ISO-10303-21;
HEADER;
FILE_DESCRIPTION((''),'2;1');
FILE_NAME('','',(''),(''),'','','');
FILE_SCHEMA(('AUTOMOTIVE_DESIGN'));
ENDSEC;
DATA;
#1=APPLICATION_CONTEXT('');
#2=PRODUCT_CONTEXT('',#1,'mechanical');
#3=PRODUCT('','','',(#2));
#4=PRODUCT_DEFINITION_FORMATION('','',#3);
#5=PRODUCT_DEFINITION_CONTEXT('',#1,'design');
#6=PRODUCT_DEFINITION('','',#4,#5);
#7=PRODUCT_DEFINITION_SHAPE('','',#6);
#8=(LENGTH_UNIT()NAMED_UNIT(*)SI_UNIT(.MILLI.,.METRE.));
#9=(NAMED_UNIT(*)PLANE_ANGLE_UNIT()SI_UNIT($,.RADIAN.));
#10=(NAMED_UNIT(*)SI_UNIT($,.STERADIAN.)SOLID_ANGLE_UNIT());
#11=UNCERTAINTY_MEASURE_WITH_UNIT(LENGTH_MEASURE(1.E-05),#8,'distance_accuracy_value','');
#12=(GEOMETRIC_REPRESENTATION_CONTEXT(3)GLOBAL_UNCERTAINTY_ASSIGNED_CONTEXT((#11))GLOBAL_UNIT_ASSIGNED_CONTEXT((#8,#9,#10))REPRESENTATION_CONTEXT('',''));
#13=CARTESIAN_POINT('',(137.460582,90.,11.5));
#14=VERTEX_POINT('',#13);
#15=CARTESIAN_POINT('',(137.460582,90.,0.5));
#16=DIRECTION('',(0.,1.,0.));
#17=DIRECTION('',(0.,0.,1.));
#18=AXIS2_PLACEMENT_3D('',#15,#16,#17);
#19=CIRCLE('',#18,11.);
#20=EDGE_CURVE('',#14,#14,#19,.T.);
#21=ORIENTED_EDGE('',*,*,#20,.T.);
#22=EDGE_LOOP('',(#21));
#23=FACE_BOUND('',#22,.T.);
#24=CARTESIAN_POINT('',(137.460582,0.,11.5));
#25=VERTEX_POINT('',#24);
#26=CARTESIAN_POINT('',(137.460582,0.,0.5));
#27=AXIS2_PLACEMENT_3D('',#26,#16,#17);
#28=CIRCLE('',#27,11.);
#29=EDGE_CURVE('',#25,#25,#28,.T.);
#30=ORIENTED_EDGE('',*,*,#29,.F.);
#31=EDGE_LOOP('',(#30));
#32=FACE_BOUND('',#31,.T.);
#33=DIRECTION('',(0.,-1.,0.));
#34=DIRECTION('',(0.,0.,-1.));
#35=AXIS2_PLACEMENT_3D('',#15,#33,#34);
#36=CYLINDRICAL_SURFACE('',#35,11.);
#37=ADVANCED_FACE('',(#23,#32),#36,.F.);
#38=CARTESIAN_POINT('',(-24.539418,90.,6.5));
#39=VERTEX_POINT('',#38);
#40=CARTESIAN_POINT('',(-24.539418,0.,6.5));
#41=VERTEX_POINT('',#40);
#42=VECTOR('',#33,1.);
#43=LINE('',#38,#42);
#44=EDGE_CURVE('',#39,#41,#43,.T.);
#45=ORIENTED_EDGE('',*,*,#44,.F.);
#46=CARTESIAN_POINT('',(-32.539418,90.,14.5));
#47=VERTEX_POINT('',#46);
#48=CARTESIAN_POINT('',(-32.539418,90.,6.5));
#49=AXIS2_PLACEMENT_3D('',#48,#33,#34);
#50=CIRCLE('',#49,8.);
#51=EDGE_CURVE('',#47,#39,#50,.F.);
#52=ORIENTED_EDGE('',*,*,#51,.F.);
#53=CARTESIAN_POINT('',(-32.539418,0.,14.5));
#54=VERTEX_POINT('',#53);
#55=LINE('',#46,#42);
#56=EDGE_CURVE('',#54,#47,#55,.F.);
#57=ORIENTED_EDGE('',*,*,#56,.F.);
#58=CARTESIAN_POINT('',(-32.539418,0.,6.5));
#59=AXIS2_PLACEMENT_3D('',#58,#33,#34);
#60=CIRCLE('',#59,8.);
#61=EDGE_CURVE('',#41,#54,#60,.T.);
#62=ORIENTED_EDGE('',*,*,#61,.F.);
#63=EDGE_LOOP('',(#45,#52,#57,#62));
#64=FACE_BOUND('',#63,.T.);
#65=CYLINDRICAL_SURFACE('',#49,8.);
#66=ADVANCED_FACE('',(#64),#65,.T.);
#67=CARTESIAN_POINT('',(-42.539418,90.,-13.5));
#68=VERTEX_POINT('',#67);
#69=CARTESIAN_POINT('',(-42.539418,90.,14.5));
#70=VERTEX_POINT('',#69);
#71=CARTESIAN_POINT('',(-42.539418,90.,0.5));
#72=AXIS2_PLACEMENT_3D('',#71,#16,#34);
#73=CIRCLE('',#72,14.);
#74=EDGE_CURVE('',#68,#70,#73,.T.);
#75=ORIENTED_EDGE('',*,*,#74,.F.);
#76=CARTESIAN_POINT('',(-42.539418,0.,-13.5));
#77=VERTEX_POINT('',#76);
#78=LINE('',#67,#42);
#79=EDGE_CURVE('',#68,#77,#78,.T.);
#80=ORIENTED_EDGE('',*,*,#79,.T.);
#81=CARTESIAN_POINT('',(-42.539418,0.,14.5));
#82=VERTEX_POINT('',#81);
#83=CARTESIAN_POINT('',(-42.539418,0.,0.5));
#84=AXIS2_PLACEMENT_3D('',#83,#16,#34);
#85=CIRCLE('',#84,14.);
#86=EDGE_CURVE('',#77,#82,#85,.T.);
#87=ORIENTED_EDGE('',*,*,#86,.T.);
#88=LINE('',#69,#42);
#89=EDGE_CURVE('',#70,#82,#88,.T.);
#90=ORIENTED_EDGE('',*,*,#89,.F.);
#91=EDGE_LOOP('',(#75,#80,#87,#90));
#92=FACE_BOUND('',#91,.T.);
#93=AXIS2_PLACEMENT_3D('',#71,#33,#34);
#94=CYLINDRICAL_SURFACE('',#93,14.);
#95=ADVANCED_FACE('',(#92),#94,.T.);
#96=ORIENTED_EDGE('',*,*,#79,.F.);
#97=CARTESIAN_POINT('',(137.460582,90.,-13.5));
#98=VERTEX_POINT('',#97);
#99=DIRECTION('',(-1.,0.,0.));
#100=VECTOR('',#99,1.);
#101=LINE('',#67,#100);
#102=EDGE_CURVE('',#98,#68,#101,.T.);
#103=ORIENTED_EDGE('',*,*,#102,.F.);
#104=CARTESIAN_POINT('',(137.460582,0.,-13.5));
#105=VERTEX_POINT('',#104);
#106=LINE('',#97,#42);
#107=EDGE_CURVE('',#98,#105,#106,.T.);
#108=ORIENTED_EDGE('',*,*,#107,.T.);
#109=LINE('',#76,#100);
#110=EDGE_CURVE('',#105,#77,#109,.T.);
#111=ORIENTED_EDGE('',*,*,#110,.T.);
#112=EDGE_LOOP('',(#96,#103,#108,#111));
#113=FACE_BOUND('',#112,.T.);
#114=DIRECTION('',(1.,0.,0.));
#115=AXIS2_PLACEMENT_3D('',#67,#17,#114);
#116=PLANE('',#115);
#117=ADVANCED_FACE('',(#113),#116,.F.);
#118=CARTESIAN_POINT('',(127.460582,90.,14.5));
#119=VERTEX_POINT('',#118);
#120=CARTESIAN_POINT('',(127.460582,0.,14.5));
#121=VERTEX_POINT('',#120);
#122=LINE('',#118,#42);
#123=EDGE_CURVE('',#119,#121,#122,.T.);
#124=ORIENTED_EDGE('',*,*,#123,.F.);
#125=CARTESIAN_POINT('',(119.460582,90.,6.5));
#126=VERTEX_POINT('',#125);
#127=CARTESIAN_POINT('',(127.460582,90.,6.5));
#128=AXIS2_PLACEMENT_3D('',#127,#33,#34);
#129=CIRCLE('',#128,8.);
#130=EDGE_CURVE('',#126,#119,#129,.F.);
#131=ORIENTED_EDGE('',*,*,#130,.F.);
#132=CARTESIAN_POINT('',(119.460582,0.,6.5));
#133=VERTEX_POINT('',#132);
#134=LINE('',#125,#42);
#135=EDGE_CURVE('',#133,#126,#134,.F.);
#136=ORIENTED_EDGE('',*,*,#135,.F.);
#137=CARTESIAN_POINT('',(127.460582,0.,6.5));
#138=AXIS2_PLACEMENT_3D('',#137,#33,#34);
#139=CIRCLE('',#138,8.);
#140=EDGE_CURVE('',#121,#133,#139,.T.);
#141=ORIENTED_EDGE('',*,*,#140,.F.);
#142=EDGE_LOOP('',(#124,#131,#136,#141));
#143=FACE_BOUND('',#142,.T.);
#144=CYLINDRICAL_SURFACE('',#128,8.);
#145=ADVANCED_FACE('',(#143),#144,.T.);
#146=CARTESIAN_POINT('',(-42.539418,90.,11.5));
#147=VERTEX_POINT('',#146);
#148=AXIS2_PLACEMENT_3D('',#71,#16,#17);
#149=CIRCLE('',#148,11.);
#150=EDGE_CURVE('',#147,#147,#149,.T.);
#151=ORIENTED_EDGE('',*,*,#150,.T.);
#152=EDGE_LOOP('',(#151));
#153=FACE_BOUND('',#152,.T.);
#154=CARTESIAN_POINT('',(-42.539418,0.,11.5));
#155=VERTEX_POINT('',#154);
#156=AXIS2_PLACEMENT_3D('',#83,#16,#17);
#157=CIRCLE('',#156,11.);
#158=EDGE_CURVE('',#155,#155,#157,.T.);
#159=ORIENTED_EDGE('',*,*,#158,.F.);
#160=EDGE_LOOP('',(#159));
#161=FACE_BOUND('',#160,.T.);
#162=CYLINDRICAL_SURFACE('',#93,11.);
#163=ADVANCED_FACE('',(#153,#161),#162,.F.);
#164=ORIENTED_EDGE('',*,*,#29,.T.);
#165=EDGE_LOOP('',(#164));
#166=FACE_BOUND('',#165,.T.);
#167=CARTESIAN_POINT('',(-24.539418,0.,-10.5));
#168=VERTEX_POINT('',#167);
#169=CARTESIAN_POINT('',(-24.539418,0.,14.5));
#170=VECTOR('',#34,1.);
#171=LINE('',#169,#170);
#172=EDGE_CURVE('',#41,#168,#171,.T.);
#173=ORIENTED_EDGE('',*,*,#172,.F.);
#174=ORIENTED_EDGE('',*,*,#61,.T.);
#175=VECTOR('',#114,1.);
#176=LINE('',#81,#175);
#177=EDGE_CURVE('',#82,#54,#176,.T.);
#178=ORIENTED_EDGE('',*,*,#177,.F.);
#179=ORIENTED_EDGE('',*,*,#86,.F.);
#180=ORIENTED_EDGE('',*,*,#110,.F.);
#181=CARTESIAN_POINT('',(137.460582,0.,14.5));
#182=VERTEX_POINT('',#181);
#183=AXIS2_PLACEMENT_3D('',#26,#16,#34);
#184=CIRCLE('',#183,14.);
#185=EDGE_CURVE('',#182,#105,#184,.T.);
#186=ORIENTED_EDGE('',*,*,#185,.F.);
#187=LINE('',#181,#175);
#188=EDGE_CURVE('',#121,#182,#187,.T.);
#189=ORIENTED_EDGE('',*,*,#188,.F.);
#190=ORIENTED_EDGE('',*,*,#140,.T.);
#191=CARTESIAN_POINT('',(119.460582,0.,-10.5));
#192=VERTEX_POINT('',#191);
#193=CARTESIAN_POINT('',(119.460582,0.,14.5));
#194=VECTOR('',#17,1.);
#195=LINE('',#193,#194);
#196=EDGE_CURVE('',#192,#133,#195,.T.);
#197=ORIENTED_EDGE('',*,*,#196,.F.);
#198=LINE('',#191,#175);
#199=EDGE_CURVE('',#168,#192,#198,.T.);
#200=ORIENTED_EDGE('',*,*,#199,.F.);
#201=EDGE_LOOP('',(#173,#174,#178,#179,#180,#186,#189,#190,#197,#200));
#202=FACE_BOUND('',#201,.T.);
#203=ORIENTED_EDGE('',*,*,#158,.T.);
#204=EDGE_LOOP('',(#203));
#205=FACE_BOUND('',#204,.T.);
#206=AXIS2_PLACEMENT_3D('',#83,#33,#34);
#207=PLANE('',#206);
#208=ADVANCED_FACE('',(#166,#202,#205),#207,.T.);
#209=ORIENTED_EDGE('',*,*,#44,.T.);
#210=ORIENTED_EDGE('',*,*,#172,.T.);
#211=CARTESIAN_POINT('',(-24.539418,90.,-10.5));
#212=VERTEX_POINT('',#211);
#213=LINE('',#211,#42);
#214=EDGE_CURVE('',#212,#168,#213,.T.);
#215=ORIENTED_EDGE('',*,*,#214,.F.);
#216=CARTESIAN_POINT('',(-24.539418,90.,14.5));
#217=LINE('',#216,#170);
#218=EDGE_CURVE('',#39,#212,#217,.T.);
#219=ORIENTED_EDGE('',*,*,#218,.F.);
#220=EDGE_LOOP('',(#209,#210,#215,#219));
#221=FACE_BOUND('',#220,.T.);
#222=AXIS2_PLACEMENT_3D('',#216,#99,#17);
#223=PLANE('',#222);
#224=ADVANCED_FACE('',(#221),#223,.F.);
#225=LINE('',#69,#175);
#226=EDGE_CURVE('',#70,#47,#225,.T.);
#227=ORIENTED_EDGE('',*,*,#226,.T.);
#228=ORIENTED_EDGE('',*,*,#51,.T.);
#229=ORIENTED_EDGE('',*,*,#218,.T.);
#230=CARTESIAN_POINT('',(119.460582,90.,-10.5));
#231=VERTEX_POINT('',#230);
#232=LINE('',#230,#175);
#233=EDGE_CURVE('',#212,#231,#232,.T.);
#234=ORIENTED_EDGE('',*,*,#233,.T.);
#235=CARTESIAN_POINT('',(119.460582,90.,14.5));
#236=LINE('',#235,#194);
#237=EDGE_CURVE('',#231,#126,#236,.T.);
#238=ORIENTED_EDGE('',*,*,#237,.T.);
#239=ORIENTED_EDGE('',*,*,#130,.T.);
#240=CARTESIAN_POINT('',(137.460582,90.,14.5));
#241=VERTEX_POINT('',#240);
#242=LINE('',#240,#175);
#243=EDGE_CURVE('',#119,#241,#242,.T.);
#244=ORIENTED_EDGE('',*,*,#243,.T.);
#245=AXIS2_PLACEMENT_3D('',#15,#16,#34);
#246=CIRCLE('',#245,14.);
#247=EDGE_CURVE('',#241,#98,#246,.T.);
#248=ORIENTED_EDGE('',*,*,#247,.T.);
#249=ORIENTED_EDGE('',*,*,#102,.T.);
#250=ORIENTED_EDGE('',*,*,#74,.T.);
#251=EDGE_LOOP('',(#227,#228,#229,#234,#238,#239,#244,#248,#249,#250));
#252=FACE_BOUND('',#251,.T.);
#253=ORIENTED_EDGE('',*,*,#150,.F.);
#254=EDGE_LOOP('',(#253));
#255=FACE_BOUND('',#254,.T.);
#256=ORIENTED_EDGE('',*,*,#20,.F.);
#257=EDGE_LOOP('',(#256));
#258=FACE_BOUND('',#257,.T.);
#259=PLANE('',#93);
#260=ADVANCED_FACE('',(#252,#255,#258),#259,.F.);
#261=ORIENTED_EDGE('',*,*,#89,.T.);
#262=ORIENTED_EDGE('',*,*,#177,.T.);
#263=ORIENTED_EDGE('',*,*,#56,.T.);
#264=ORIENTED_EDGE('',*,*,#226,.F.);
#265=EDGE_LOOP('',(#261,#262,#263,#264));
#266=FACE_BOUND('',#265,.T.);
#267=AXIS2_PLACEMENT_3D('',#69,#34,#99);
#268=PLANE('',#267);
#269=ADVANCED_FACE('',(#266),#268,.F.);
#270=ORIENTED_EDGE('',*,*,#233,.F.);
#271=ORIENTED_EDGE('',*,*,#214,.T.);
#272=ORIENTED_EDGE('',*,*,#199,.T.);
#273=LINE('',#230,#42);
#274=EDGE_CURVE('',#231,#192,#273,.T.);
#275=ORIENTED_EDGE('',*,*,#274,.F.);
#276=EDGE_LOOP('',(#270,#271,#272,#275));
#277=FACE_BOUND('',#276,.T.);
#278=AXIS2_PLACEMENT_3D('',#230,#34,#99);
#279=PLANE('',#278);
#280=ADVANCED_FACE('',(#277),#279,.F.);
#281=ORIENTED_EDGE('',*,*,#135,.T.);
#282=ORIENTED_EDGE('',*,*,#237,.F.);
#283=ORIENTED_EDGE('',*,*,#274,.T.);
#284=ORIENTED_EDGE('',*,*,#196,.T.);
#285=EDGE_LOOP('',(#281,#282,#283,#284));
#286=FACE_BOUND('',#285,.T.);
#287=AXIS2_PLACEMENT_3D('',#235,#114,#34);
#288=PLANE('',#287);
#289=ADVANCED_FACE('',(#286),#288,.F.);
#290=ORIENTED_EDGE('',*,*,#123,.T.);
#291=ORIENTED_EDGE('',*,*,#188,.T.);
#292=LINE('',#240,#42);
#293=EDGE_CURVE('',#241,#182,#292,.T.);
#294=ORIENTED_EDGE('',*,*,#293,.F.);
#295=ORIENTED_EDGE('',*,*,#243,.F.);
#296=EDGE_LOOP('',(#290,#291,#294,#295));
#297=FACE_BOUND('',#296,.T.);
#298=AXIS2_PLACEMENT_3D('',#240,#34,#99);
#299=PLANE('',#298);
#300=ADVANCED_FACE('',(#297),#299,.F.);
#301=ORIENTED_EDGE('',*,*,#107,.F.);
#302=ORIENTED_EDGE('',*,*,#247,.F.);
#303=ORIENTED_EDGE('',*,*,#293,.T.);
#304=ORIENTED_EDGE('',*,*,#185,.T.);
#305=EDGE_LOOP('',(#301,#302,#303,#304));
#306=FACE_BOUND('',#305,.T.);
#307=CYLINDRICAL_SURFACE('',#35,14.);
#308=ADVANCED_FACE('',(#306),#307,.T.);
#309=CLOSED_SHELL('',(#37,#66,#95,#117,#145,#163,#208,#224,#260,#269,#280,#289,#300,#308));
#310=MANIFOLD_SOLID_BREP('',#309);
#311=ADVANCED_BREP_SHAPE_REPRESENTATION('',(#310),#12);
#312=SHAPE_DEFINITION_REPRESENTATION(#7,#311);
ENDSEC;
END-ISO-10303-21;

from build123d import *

# Parameters (mm, degrees)
SKETCH1_R           = 11
BOSS_EXTRUDE1_DEPTH = 90
FILLET1_R           = 8


with BuildPart() as part:
    # Sketch1 → Boss-Extrude1 (new body)
    with BuildSketch(Plane(origin=(0, 0, 0), x_dir=(1, 0, 0), z_dir=(0, 1, 0))):
        with BuildLine():
            Line((137.460581558, -14.5), (119.460581558, -14.5))
            Line((119.460581558, -14.5), (119.460581558, 10.5))
            Line((119.460581558, 10.5), (-24.539418442, 10.5))
            Line((-24.539418442, 10.5), (-24.539418442, -14.5))
            Line((-24.539418442, -14.5), (-42.539418442, -14.5))
            ThreePointArc((-42.539418442, -14.5), (-56.539418442, -0.5), (-42.539418442, 13.5))
            Line((-42.539418442, 13.5), (137.460581558, 13.5))
            ThreePointArc((137.460581558, 13.5), (151.460581558, -0.5), (137.460581558, -14.5))
        make_face()
        with Locations((-42.539418442, -0.5)):
            Circle(SKETCH1_R, mode=Mode.SUBTRACT)
        with Locations((137.460581558, -0.5)):
            Circle(SKETCH1_R, mode=Mode.SUBTRACT)
    extrude(amount=BOSS_EXTRUDE1_DEPTH)

    # Fillet1
    fillet1_edges = [part.edges().sort_by_distance(p)[0] for p in [
        (119.460581558, 45, 14.5),
        (-24.539418442, 45, 14.5),
    ]]
    fillet(fillet1_edges, radius=FILLET1_R)


solid = part.part
